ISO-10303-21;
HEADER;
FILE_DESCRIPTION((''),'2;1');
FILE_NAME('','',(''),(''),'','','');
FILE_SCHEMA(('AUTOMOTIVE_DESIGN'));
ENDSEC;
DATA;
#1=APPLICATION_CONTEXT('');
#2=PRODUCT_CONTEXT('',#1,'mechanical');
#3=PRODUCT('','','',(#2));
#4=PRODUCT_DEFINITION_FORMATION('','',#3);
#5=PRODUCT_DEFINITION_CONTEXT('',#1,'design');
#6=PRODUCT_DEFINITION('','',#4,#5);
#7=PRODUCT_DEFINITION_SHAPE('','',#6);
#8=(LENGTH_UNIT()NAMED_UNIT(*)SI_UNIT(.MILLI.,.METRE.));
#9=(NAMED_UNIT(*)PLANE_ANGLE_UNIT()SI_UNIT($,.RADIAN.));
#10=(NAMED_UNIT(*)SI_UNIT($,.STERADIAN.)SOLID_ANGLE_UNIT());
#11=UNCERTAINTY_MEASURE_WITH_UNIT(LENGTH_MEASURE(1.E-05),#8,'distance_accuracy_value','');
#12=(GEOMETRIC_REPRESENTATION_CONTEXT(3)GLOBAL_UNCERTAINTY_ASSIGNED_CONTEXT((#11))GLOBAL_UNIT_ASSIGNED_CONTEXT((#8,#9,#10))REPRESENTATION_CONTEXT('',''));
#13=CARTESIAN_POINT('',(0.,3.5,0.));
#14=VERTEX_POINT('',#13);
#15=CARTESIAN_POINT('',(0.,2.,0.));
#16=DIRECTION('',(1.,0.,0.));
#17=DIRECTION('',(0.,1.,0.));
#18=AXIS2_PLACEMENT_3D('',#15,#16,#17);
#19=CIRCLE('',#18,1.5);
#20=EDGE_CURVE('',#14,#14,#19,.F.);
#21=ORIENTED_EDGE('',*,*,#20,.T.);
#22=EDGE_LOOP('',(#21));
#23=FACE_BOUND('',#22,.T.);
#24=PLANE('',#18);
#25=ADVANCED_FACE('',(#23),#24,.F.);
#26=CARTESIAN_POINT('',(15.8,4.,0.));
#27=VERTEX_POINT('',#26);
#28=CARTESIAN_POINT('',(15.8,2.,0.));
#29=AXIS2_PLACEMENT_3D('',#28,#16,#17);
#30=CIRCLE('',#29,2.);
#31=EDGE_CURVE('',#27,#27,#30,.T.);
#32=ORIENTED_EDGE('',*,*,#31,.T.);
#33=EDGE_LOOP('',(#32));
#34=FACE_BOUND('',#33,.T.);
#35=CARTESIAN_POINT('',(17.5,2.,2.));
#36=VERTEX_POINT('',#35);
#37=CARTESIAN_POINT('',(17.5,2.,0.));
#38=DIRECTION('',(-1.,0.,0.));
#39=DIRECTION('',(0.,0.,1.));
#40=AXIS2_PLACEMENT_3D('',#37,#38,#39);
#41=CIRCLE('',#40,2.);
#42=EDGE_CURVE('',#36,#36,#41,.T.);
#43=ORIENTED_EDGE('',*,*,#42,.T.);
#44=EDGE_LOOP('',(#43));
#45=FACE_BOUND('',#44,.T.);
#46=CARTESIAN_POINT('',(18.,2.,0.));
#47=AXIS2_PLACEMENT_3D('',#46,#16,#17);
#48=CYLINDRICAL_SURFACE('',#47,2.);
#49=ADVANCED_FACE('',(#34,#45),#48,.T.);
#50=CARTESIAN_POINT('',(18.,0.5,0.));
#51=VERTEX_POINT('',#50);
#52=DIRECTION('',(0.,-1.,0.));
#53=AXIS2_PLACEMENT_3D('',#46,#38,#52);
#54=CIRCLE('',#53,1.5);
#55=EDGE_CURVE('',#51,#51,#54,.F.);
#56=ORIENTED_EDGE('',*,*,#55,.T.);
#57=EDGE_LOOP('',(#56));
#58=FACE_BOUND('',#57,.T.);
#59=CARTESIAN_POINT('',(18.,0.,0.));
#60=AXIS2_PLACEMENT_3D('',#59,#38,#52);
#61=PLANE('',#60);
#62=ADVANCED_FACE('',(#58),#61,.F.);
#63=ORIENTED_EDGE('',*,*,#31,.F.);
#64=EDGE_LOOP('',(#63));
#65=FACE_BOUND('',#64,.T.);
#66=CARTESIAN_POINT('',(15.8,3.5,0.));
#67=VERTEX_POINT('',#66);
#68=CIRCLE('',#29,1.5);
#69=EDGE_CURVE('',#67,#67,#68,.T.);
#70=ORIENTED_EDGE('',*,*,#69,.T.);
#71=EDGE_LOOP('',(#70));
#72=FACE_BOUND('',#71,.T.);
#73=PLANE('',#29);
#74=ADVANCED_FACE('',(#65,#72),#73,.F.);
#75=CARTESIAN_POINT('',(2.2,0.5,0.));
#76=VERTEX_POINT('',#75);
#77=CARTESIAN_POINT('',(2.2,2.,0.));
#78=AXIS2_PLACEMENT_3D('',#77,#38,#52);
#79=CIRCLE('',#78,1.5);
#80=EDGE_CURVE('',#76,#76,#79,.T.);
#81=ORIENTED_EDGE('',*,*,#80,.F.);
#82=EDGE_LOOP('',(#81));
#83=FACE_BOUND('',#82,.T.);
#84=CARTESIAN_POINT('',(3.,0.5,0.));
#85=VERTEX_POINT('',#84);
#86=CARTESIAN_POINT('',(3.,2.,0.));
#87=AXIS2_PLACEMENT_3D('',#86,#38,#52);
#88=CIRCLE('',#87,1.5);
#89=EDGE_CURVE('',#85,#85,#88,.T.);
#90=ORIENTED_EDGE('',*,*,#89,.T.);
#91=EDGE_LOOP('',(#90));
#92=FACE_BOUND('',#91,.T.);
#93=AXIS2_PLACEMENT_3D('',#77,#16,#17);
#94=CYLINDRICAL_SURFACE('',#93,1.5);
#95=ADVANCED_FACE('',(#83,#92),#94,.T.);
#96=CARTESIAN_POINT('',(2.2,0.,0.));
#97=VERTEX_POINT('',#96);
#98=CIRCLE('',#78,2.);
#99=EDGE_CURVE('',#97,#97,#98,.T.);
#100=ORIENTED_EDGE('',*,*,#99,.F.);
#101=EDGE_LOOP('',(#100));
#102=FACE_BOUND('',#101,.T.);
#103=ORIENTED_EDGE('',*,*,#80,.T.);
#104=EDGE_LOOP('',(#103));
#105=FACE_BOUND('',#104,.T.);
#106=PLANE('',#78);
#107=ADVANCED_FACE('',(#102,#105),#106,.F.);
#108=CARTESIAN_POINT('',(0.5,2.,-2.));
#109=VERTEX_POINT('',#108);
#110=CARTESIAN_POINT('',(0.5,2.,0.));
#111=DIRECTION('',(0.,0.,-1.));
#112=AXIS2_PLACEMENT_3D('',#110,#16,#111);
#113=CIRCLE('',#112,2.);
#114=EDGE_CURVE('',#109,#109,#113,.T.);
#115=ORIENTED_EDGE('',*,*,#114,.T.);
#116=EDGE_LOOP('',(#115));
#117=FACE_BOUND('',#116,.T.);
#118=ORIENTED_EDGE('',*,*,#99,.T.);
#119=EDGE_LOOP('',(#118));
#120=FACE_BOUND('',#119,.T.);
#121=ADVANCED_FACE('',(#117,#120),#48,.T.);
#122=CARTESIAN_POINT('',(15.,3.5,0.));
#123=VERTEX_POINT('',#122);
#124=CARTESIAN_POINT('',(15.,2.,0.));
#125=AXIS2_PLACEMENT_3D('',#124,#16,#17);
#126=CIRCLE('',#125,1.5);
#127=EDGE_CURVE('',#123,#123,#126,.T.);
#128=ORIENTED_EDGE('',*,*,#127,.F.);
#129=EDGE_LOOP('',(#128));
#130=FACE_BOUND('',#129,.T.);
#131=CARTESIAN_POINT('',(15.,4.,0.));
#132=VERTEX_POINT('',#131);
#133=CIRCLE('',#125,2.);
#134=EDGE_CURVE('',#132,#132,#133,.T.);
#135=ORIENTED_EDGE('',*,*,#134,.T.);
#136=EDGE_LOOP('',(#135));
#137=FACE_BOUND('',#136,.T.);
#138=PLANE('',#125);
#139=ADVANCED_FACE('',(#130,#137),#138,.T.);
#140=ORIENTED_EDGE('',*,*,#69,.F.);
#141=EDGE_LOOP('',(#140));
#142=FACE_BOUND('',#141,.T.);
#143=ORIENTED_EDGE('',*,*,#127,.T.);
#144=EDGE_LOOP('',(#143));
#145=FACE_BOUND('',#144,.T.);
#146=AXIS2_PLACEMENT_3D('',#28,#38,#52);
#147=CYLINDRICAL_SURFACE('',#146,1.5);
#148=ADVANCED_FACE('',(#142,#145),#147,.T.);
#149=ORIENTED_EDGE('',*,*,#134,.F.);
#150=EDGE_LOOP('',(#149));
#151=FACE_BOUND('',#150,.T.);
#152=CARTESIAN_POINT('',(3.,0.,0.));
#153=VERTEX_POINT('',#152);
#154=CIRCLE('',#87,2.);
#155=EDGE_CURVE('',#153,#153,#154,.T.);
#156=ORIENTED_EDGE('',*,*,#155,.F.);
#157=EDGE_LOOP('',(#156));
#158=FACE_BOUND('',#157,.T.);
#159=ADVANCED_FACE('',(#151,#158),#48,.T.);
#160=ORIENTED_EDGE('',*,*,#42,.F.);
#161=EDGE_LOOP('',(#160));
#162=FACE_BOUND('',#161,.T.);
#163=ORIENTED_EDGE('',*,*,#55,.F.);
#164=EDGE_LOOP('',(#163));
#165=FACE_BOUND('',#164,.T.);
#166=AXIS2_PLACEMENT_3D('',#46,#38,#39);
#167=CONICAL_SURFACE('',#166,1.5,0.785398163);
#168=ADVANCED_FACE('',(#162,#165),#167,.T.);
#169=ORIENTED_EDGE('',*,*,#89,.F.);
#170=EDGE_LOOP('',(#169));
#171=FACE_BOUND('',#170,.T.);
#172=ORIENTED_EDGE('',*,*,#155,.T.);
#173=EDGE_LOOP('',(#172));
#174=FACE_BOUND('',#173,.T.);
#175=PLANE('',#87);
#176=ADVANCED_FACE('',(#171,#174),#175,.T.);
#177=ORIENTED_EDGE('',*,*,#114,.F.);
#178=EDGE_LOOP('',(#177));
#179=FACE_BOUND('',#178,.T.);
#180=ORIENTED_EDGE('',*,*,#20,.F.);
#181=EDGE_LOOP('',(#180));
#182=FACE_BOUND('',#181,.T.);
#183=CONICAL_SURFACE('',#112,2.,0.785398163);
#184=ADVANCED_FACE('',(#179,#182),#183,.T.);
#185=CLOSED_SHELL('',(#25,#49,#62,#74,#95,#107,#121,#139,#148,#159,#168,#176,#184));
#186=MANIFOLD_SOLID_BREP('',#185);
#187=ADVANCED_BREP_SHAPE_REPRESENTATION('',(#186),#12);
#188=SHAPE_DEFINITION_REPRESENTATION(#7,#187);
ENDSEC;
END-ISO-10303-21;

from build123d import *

# Parameters (mm, degrees)
SKETCH1_W          = 18
SKETCH1_H          = 2
CUT_EXTRUDE1_START = -3
SKETCH2_R          = 2
SKETCH2_R_2        = 1.5
CUT_EXTRUDE1_DEPTH = 0.8
CUT_EXTRUDE2_START = -3
SKETCH4_R          = 2
SKETCH4_R_2        = 1.5
CUT_EXTRUDE2_DEPTH = 0.8
CHAMFER1_SIZE      = 0.5


with BuildPart() as part:
    # Sketch1 → Revolve1 (revolve)
    with BuildSketch(Plane.XY):
        with Locations((9, 1)):
            Rectangle(SKETCH1_W, SKETCH1_H)
    revolve(axis=Axis((18, 2, 0), (-1, 0, 0)))

    # Sketch2 → Cut-Extrude1 (cut)
    with BuildSketch(Plane.ZY.offset(CUT_EXTRUDE1_START)):
        with Locations((0, 2)):
            Circle(SKETCH2_R)
        with Locations((0, 2)):
            Circle(SKETCH2_R_2, mode=Mode.SUBTRACT)
    extrude(amount=CUT_EXTRUDE1_DEPTH, mode=Mode.SUBTRACT)

    # Sketch4 → Cut-Extrude2 (cut)
    with BuildSketch(Plane(origin=(18, 0, 0), x_dir=(0, 0, -1), z_dir=(1, 0, 0)).offset(CUT_EXTRUDE2_START)):
        with Locations((0, 2)):
            Circle(SKETCH4_R)
        with Locations((0, 2)):
            Circle(SKETCH4_R_2, mode=Mode.SUBTRACT)
    extrude(amount=CUT_EXTRUDE2_DEPTH, mode=Mode.SUBTRACT)

    # Chamfer1
    chamfer1_edges = [part.edges().sort_by_distance(p)[0] for p in [
        (18, 4, 0),
        (0, 4, 0),
    ]]
    chamfer(chamfer1_edges, length=CHAMFER1_SIZE)


solid = part.part
